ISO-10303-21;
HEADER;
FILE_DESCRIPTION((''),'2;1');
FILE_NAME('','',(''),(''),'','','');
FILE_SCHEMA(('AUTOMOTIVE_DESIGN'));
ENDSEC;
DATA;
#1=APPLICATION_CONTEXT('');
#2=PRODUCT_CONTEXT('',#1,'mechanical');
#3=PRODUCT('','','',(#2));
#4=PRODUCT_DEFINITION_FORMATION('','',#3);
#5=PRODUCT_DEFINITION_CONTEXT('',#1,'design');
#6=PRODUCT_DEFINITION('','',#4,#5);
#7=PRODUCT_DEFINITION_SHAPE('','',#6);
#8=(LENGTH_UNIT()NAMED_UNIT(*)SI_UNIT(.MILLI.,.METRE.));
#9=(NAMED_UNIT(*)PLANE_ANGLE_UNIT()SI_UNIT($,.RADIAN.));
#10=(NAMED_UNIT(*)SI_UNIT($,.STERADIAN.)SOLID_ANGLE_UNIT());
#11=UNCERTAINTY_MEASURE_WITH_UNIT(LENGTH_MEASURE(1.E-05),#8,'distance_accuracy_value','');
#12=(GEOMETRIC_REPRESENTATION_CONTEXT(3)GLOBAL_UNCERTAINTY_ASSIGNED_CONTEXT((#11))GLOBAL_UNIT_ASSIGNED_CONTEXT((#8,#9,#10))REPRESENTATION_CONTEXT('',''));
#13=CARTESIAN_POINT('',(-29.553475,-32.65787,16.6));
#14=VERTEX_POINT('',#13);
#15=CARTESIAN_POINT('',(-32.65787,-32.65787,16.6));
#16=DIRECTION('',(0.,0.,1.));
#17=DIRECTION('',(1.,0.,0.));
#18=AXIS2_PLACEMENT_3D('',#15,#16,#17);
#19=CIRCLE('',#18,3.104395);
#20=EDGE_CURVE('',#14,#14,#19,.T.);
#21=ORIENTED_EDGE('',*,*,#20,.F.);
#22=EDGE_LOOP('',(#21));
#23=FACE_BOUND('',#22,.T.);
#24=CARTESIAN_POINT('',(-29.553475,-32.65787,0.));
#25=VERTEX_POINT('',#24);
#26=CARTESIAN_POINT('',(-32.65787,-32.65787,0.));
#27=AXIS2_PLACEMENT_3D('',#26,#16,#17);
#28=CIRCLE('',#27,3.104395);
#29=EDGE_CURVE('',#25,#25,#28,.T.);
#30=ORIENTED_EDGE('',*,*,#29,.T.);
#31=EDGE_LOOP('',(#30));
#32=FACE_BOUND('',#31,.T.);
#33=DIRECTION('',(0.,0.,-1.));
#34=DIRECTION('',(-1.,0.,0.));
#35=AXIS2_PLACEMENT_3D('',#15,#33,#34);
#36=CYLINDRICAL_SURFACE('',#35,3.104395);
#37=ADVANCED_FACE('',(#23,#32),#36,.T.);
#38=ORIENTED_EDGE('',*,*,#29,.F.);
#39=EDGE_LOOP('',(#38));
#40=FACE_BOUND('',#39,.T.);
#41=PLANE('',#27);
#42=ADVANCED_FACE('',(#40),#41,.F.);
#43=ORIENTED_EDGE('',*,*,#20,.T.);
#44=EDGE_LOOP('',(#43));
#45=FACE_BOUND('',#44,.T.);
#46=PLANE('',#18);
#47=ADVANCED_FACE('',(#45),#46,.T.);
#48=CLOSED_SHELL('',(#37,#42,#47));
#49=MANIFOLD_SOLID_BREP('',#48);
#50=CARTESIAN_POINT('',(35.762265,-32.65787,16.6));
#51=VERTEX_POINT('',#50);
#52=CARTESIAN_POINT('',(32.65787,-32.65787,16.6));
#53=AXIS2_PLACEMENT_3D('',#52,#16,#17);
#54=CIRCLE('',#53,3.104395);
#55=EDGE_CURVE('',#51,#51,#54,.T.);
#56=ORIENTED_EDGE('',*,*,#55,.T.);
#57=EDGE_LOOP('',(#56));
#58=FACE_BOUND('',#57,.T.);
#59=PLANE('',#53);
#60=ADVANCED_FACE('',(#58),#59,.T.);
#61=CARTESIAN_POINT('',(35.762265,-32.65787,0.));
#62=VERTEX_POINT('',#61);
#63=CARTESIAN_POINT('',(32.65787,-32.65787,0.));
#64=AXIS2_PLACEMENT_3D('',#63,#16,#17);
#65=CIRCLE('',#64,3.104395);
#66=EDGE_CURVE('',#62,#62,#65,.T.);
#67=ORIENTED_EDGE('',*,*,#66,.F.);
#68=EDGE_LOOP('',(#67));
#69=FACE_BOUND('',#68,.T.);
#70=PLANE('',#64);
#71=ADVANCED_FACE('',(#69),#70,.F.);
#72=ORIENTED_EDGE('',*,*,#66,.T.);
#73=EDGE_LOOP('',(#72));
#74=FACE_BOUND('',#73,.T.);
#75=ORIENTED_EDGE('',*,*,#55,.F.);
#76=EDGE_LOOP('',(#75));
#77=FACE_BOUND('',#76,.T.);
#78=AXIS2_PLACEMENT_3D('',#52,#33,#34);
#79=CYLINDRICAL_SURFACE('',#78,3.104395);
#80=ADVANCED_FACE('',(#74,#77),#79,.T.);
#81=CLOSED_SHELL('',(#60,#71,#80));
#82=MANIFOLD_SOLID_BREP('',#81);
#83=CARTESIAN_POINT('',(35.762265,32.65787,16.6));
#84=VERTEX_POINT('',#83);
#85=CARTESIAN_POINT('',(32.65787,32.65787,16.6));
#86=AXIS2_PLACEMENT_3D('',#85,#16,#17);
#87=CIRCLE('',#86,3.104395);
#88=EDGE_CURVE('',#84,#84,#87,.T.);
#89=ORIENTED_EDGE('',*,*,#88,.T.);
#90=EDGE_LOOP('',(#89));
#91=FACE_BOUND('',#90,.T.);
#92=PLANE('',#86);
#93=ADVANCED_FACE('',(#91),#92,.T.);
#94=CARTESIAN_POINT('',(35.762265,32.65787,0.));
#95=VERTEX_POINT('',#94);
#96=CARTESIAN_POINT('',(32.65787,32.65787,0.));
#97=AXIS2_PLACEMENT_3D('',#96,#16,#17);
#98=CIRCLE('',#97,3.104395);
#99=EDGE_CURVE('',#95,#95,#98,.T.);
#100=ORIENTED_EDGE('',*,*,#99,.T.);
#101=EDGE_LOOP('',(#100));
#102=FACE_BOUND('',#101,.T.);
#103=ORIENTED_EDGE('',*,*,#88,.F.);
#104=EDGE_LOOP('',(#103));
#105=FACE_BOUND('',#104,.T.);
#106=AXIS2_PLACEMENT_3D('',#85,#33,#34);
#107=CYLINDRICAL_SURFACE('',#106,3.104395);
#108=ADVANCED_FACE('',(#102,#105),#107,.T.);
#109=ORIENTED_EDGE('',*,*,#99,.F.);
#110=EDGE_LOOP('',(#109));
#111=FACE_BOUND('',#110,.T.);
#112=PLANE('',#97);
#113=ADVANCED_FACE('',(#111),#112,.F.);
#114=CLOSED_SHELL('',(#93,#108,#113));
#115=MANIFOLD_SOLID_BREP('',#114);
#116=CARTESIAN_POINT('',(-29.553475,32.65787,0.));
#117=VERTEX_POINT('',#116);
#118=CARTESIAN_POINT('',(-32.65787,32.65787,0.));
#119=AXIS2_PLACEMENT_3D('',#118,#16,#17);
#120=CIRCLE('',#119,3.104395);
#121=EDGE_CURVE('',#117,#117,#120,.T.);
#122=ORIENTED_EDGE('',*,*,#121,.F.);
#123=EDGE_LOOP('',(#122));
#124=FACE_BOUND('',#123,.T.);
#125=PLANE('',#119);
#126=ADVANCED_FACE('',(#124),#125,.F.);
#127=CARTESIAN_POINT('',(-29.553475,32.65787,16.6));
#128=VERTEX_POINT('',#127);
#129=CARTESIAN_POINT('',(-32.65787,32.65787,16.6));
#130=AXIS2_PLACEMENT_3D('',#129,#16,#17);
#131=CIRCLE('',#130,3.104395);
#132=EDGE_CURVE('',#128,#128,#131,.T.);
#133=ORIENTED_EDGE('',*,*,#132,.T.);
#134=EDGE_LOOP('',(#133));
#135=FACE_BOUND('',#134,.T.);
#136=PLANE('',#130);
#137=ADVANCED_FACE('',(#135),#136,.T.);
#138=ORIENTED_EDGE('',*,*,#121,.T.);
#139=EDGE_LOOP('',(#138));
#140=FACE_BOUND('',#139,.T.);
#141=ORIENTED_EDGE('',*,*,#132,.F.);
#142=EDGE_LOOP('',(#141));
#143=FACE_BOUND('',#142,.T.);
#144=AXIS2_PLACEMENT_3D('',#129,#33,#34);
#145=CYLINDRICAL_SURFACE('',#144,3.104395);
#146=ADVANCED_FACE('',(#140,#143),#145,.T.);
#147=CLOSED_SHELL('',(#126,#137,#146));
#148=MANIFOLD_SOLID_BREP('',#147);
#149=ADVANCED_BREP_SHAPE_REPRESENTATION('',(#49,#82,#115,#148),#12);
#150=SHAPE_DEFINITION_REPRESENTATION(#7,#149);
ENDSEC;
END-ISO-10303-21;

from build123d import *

# Parameters (mm, degrees)
SKETCH1_R             = 3.104394748
BOSS_EXTRUDE1_DEPTH   = 16.6
BOSS_EXTRUDE1_2_DEPTH = 16.6
BOSS_EXTRUDE1_3_DEPTH = 16.6
BOSS_EXTRUDE1_4_DEPTH = 16.6


with BuildPart() as part:
    # Sketch1 → Boss-Extrude1 (new body)
    with BuildSketch(Plane.XY):
        with Locations((32.657870065, -32.657870065)):
            Circle(SKETCH1_R)
    extrude(amount=BOSS_EXTRUDE1_DEPTH)


with BuildPart() as body_2:
    # Sketch1 → Boss-Extrude1 2 (new body)
    with BuildSketch(Plane.XY):
        with Locations((-32.657870065, 32.657870065)):
            Circle(SKETCH1_R)
    extrude(amount=BOSS_EXTRUDE1_2_DEPTH)


with BuildPart() as body_3:
    # Sketch1 → Boss-Extrude1 3 (new body)
    with BuildSketch(Plane.XY):
        with Locations((-32.657870065, -32.657870065)):
            Circle(SKETCH1_R)
    extrude(amount=BOSS_EXTRUDE1_3_DEPTH)


with BuildPart() as body_4:
    # Sketch1 → Boss-Extrude1 4 (new body)
    with BuildSketch(Plane.XY):
        with Locations((32.657870065, 32.657870065)):
            Circle(SKETCH1_R)
    extrude(amount=BOSS_EXTRUDE1_4_DEPTH)


solid = Compound([part.part, body_2.part, body_3.part, body_4.part])
